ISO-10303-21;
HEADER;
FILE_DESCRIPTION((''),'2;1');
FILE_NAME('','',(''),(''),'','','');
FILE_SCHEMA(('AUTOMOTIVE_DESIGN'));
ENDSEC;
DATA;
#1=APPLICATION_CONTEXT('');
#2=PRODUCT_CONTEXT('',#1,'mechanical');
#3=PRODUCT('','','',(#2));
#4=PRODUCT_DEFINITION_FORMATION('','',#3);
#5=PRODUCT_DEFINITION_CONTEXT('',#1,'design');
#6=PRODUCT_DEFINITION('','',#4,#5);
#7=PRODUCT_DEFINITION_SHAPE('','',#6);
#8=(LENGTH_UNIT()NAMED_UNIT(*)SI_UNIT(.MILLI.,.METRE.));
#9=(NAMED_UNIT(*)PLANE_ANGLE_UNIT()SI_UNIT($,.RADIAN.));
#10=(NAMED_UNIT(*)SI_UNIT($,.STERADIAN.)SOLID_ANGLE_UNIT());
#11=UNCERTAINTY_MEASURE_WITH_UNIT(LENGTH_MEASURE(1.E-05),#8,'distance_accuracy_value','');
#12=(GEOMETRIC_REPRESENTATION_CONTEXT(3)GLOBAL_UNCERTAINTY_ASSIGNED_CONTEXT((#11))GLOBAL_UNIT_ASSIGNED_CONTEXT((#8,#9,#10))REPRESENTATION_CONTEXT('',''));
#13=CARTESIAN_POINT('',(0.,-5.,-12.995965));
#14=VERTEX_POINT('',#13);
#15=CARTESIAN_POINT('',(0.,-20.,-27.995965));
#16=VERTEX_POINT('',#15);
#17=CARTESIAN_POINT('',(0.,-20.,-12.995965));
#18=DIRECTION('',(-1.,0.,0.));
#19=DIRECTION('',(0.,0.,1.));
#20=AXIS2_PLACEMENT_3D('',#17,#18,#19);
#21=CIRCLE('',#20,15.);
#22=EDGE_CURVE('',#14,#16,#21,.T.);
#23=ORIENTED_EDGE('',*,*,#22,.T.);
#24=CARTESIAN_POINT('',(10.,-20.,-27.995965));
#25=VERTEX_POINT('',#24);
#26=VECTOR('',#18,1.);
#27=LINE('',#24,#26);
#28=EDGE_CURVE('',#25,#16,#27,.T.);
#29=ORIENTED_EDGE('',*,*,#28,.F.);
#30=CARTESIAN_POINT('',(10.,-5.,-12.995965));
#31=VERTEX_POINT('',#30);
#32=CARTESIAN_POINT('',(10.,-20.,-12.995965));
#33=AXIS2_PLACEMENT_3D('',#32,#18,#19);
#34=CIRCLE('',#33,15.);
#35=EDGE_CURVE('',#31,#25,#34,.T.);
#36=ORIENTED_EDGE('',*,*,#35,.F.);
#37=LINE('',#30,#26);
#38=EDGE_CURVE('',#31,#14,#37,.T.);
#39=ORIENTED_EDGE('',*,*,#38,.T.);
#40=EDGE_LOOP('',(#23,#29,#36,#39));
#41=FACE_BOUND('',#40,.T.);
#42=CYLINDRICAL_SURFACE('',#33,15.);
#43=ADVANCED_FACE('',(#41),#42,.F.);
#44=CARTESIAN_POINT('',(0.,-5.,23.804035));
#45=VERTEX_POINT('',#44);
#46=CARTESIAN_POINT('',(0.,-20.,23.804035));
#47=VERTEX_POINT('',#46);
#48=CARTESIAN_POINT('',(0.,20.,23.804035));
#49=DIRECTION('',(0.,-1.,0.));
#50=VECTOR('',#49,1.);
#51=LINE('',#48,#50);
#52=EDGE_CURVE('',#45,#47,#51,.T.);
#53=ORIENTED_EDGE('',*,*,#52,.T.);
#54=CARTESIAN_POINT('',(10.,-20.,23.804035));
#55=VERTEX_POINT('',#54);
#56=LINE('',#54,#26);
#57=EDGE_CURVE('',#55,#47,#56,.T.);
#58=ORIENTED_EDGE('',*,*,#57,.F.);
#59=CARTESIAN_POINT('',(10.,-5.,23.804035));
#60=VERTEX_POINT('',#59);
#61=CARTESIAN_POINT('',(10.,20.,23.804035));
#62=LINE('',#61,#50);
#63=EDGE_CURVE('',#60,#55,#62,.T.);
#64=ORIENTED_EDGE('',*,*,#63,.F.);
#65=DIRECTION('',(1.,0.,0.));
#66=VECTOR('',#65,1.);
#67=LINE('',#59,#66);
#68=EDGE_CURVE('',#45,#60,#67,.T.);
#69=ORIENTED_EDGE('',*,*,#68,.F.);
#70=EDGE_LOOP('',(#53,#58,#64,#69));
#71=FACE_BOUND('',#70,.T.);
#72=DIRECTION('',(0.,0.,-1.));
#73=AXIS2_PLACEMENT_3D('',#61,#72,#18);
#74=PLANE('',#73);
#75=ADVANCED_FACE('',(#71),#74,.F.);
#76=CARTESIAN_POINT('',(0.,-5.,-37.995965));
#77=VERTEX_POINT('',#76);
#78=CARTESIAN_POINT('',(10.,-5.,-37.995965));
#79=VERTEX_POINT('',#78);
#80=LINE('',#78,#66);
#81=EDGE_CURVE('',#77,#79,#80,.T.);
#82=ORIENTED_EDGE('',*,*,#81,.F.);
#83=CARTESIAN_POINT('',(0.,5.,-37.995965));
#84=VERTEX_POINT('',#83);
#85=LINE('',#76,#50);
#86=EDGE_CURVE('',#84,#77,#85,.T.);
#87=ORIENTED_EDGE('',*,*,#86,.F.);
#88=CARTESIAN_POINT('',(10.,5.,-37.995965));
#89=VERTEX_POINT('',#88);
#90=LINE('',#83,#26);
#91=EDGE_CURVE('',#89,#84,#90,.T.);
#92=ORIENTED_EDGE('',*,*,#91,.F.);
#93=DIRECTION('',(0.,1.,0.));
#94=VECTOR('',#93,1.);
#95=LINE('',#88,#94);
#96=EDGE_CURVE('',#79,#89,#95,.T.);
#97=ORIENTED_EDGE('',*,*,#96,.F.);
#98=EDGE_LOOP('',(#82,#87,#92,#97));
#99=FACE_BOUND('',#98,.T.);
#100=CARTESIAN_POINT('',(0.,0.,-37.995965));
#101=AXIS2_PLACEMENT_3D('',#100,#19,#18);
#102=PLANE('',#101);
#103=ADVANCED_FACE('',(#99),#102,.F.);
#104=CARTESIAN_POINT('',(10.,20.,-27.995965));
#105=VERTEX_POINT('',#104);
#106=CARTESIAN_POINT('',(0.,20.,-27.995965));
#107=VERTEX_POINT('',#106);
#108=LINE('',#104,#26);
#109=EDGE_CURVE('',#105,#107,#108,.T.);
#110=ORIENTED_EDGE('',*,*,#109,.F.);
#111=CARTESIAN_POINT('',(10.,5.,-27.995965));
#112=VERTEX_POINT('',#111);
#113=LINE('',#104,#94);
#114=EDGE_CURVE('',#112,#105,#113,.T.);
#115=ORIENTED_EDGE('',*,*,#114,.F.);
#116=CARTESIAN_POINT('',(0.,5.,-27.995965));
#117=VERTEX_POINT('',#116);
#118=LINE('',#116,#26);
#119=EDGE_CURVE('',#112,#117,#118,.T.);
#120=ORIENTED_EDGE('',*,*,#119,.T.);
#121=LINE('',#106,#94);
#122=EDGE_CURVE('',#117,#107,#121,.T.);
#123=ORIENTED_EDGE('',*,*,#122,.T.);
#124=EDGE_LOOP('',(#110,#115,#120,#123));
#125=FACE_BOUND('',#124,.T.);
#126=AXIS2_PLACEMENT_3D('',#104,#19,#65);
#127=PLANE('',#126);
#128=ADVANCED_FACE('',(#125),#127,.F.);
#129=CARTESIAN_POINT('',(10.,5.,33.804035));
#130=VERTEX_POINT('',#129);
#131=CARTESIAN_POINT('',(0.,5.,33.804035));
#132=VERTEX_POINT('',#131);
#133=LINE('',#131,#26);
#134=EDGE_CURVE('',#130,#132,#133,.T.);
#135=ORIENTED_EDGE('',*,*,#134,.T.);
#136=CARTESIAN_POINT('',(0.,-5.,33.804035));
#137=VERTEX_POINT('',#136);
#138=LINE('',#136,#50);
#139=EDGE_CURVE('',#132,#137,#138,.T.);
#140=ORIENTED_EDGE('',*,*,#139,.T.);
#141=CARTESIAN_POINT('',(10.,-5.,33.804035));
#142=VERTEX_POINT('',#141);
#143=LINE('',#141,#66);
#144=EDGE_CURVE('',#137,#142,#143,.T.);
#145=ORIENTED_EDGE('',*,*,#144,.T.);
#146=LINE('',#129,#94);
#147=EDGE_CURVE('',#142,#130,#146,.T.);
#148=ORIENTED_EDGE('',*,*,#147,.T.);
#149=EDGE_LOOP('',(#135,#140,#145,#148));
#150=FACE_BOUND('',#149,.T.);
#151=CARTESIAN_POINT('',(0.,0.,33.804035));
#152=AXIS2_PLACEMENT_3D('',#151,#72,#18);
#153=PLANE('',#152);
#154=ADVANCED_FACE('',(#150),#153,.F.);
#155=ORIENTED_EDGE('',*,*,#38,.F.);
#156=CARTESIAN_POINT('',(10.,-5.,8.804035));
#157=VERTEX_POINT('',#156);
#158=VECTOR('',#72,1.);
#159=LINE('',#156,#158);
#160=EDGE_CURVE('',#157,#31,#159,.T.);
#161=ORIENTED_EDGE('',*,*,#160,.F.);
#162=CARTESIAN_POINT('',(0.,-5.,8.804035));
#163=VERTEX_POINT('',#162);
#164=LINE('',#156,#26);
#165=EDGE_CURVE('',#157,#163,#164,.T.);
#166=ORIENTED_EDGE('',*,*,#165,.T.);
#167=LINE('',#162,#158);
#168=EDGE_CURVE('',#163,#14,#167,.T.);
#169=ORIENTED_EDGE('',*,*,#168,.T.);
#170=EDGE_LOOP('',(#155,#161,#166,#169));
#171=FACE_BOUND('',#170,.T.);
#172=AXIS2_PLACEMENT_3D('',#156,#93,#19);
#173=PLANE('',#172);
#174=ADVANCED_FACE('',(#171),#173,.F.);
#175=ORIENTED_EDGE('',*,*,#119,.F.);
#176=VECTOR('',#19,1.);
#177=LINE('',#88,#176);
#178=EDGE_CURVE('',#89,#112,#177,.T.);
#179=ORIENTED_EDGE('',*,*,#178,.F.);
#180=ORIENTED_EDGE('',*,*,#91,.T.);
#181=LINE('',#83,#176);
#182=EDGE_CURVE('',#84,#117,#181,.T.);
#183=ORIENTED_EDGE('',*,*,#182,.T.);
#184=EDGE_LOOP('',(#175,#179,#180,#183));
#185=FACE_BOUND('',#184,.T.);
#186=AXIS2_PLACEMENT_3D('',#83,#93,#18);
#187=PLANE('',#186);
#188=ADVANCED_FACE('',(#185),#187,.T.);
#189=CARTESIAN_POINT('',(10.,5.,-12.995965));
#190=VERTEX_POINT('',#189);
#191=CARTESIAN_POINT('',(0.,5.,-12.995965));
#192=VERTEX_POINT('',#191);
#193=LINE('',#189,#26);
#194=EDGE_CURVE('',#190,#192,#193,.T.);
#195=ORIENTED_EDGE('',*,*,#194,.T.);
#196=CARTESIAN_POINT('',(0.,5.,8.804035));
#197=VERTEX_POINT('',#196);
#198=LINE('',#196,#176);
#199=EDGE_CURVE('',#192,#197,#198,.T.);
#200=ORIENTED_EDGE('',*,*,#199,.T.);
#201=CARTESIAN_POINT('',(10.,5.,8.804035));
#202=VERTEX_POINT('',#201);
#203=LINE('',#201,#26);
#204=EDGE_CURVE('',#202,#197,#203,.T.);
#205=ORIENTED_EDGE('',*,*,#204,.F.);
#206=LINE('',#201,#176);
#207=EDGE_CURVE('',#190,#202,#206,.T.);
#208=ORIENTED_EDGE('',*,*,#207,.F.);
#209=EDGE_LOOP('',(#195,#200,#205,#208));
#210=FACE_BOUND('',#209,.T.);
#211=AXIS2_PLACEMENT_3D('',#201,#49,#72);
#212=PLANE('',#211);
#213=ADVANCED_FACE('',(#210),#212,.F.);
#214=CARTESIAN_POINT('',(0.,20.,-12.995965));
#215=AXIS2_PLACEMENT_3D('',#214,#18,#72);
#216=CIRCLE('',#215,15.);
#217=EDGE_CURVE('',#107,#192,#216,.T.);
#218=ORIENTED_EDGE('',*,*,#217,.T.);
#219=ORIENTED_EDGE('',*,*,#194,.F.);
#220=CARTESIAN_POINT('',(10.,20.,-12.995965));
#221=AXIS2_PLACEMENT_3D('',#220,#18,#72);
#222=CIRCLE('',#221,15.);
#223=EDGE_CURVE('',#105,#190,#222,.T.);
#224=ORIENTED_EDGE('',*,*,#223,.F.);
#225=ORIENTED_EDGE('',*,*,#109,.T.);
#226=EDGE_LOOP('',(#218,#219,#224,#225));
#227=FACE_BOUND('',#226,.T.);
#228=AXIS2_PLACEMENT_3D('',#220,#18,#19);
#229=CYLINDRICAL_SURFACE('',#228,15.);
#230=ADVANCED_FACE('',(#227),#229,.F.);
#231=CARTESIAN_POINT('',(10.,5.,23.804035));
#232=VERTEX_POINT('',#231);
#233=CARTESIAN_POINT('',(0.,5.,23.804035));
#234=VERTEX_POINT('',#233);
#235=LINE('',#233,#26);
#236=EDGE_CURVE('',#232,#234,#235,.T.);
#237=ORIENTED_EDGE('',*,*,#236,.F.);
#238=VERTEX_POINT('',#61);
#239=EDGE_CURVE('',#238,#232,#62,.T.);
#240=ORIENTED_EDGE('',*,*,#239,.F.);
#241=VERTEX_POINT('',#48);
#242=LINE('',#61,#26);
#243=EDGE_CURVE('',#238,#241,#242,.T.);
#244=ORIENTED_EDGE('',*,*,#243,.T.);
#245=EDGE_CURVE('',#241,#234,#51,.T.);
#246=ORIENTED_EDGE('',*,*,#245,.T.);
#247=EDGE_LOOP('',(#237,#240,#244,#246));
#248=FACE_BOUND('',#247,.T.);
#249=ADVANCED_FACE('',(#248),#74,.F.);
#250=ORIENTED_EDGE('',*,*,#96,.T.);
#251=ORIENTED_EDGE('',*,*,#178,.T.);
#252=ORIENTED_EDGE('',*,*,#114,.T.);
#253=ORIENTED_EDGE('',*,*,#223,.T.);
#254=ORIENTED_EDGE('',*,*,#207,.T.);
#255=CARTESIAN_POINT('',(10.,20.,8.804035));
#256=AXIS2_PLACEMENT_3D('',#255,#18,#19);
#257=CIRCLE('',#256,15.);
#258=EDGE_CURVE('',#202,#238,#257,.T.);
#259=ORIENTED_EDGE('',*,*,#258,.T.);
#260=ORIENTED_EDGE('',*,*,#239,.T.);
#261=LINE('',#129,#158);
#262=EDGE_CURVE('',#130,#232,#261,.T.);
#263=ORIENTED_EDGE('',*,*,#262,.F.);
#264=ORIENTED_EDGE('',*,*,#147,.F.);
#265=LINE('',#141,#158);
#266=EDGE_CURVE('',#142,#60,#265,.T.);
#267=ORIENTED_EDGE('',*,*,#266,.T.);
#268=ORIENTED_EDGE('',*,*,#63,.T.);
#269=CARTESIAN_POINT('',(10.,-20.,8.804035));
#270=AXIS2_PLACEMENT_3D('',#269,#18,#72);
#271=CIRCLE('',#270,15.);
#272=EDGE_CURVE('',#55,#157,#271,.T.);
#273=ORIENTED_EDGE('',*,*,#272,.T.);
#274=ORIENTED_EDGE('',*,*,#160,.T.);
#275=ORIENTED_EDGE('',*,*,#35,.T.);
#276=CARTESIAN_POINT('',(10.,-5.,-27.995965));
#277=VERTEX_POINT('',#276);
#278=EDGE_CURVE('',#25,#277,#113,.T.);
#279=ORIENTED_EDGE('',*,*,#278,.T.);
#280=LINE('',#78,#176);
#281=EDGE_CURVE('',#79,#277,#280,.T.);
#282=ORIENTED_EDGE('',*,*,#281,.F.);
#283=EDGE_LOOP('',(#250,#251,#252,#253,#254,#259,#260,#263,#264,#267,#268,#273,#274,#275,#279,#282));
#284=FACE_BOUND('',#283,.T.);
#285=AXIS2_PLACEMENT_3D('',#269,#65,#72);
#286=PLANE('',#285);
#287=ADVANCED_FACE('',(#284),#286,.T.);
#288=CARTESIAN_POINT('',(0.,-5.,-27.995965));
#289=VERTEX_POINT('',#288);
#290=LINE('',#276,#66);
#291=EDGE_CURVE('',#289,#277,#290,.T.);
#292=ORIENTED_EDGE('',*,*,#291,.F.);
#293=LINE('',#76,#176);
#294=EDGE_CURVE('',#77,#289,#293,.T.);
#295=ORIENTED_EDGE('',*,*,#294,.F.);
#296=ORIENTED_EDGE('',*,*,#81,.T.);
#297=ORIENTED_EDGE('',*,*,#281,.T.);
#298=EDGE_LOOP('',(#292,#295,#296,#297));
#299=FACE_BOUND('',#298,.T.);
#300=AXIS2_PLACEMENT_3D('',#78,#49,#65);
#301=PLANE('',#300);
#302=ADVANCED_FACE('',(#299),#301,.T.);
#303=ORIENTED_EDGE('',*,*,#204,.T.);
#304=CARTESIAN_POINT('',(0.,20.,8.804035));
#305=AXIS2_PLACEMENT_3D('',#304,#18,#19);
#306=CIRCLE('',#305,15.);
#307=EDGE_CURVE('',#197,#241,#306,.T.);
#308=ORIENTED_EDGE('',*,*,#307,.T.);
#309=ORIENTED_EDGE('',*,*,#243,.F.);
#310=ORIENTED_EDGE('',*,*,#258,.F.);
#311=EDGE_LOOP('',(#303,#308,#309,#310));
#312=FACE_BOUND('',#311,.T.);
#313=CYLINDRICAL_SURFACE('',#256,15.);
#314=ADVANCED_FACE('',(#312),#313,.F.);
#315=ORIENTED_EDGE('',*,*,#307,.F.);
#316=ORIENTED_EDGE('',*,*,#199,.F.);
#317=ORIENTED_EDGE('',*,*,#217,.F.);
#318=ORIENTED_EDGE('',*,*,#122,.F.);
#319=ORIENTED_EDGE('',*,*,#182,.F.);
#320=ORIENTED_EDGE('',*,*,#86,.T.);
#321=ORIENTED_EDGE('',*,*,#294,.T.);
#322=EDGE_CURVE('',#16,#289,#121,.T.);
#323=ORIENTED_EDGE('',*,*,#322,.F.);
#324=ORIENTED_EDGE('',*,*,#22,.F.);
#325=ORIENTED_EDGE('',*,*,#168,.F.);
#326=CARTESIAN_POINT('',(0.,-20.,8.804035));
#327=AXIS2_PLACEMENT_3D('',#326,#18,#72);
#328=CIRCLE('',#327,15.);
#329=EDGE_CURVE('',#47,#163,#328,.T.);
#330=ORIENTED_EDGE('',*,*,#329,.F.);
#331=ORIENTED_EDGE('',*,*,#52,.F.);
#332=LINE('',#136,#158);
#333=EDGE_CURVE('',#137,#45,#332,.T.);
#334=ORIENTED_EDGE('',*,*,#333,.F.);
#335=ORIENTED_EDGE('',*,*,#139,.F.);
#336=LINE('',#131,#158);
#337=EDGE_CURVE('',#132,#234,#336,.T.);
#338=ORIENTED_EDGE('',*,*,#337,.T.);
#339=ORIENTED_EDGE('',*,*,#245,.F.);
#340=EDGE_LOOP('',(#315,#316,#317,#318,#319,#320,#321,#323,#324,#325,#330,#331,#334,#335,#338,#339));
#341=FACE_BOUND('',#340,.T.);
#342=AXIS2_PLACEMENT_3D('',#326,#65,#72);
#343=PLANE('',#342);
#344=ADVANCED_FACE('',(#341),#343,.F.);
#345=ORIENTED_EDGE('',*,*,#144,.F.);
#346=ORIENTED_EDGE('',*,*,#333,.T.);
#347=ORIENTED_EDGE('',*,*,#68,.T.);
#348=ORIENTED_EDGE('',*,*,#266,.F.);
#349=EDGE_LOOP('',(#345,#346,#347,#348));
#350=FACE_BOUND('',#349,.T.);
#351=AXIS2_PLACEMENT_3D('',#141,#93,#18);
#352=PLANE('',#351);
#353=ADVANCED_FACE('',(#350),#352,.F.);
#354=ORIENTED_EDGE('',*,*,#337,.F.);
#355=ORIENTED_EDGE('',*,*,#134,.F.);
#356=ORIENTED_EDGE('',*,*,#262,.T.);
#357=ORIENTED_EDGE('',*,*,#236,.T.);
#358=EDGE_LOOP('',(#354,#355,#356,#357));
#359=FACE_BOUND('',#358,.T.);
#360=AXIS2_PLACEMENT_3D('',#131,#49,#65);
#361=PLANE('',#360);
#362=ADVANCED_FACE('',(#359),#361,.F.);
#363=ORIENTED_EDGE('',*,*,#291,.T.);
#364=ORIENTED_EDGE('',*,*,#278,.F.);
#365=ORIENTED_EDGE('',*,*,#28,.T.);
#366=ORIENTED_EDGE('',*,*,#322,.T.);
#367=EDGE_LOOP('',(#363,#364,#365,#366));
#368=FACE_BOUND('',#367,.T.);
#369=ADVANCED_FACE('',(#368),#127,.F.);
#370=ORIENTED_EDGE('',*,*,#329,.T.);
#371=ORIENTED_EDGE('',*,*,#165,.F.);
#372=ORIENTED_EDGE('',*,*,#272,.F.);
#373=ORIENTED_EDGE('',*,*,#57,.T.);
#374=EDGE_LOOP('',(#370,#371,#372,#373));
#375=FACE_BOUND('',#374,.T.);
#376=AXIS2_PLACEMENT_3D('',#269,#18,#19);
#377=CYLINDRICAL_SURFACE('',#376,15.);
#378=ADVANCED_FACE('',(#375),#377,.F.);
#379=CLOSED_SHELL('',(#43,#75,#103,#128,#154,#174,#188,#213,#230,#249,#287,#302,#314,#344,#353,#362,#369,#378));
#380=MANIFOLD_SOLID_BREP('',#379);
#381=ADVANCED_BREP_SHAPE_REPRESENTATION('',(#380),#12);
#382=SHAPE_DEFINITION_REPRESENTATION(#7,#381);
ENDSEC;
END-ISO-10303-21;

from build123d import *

# Parameters (mm, degrees)
BOSS_EXTRUDE1_DEPTH = 10
SKETCH2_W           = 10
SKETCH2_H           = 10
BOSS_EXTRUDE2_DEPTH = 10


with BuildPart() as part:
    # Sketch1 → Boss-Extrude1 (new body)
    with BuildSketch(Plane(origin=(0, 0, 0), x_dir=(0, 0, -1), z_dir=(1, 0, 0))):
        with BuildLine():
            Line((-8.804034582, 5), (12.995965418, 5))
            ThreePointArc((12.995965418, 5), (23.602567136, 9.393398282), (27.995965418, 20))
            Line((27.995965418, 20), (27.995965418, -20))
            ThreePointArc((27.995965418, -20), (23.602567136, -9.393398282), (12.995965418, -5))
            Line((12.995965418, -5), (-8.804034582, -5))
            ThreePointArc((-8.804034582, -5), (-19.4106363, -9.393398282), (-23.804034582, -20))
            Line((-23.804034582, -20), (-23.804034582, 20))
            ThreePointArc((-23.804034582, 20), (-19.4106363, 9.393398282), (-8.804034582, 5))
        make_face()
    extrude(amount=BOSS_EXTRUDE1_DEPTH)

    # Sketch2 → Boss-Extrude2 (add)
    with BuildSketch(Plane.XY.offset(23.804034582)):
        with Locations((5, 0)):
            Rectangle(SKETCH2_W, SKETCH2_H)
    boss_extrude2 = extrude(amount=BOSS_EXTRUDE2_DEPTH)

    # Mirror1: Boss-Extrude2 across plane
    add(boss_extrude2.mirror(Plane(origin=(0, 0, -2.095965418), x_dir=(1, 0, 0), z_dir=(0, 0, -1))))


solid = part.part
